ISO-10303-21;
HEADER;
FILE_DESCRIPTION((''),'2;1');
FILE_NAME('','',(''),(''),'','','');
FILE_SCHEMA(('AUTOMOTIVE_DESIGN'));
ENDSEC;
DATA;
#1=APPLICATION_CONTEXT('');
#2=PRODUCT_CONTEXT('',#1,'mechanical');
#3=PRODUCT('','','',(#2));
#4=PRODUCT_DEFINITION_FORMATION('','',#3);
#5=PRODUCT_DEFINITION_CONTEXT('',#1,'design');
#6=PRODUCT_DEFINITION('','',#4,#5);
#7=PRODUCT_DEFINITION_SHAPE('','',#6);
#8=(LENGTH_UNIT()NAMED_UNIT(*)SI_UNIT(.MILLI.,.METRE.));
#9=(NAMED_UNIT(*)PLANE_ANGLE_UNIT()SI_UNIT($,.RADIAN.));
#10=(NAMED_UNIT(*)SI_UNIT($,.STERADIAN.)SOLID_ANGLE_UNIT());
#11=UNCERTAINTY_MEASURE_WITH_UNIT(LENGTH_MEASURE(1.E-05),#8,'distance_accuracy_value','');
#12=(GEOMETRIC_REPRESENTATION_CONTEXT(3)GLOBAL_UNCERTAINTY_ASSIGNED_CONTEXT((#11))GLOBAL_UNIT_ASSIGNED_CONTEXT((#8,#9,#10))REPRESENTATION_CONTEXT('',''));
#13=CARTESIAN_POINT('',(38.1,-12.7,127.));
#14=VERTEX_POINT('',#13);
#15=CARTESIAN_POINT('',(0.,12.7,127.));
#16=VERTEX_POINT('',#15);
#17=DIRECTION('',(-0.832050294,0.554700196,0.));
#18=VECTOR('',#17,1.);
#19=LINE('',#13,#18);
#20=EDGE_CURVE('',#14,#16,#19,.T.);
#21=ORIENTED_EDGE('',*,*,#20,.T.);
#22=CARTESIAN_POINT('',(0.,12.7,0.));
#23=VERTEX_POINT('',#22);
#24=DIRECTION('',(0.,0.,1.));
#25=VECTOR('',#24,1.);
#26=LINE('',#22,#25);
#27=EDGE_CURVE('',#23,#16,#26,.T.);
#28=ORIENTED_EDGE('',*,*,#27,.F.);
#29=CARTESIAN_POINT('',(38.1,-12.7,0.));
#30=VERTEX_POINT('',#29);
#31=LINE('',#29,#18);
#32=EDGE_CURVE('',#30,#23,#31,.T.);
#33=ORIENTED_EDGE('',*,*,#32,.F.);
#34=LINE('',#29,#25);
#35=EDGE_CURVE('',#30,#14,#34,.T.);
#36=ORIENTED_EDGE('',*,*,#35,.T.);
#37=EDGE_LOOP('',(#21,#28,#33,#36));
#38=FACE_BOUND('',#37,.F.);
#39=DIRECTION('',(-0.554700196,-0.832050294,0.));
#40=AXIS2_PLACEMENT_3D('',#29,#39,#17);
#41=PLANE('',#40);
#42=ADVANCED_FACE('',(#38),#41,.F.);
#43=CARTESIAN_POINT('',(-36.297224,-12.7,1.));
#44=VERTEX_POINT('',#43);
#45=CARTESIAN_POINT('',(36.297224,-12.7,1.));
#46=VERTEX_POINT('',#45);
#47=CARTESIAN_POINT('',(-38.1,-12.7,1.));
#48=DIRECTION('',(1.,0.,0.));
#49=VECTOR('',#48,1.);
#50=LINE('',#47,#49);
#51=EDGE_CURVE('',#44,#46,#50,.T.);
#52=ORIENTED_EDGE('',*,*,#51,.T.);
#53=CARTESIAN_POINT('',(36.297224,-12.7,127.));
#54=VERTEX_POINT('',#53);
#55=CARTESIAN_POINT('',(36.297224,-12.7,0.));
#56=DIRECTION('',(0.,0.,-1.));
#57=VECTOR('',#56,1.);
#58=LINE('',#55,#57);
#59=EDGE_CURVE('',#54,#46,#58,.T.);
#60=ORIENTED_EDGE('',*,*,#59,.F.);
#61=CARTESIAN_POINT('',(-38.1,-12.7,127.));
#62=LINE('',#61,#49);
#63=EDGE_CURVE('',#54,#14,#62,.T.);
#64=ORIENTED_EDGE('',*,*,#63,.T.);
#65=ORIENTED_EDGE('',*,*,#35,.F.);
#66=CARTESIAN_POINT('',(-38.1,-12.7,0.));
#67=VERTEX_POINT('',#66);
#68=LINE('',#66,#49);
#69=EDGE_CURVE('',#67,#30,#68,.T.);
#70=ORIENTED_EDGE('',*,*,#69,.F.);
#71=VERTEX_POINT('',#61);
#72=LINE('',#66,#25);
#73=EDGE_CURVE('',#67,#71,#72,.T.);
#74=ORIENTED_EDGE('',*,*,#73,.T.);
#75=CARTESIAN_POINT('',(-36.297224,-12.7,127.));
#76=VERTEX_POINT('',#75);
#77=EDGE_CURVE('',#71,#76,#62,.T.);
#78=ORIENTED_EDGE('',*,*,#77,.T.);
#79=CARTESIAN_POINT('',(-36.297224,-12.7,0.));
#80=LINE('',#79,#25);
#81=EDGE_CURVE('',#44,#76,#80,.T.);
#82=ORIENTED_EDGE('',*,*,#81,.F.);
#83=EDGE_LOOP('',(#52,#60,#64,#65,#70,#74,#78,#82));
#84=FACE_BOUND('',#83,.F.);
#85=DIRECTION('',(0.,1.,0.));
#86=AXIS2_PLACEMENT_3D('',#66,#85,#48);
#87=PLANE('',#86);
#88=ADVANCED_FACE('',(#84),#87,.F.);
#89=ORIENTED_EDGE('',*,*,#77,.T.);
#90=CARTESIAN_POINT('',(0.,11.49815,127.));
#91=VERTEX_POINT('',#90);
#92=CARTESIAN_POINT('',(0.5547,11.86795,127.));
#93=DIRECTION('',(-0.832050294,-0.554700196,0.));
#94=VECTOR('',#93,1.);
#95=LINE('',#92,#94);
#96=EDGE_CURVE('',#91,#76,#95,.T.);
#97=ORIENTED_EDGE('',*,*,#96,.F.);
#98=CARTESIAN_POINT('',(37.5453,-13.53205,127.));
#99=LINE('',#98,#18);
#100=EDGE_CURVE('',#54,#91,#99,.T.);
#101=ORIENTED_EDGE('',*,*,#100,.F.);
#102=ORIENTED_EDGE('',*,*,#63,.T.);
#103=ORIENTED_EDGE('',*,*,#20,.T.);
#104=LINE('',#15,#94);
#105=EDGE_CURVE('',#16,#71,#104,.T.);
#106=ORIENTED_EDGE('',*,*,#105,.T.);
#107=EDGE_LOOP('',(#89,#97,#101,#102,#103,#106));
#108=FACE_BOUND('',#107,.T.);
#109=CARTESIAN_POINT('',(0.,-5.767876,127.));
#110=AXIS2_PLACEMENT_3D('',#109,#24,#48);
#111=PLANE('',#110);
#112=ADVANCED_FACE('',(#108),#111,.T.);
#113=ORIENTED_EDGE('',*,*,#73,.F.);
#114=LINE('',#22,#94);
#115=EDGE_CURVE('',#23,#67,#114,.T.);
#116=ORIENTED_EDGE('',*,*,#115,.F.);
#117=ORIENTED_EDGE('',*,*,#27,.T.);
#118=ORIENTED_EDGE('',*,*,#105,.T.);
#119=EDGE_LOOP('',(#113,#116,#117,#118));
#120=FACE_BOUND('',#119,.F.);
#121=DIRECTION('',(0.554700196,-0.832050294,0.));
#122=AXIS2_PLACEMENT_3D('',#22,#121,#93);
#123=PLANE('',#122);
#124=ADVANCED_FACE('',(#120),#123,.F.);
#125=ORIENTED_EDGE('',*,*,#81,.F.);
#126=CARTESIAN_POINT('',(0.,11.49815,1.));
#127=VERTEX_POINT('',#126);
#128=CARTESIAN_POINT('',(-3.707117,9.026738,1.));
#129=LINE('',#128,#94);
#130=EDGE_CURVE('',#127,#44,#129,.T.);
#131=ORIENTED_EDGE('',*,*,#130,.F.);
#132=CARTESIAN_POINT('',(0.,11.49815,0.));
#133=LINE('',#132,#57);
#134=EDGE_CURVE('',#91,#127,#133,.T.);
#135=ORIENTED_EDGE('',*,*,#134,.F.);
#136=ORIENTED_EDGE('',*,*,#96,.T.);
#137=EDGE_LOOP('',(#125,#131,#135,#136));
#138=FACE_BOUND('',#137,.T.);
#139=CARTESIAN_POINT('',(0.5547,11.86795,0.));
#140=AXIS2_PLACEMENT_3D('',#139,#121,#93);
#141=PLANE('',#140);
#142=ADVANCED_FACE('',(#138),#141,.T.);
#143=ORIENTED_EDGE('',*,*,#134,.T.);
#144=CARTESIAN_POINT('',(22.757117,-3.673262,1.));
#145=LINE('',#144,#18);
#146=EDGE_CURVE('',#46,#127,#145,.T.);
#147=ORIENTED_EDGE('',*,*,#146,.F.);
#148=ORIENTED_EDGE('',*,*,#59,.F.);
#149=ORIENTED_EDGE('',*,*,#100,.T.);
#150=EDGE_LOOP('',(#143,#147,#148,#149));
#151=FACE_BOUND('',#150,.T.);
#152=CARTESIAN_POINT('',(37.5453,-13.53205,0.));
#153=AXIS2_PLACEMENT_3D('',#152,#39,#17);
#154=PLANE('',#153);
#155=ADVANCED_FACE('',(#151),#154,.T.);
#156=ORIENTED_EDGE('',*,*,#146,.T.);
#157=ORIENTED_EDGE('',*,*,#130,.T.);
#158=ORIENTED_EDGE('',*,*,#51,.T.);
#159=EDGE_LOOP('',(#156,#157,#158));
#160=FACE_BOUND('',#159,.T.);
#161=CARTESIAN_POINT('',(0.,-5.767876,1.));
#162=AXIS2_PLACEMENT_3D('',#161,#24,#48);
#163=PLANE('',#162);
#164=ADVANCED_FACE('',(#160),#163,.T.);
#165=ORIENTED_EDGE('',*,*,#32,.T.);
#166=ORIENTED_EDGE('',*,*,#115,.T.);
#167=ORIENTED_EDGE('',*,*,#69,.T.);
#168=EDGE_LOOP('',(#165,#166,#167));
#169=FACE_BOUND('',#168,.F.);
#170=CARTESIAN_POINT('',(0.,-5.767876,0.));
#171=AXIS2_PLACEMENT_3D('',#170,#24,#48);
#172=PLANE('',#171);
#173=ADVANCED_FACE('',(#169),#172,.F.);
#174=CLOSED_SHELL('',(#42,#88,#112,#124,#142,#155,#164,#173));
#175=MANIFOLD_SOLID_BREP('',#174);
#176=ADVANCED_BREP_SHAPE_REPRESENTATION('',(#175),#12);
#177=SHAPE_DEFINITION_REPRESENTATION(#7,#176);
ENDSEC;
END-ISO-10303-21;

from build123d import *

# Parameters (mm, degrees)
F1_DEPTH = 127
F2_T     = -1


with BuildPart() as f1:
    # F0 (on Top) → F1 (new body)
    with BuildSketch(Plane.XY):
        Polygon((38.1, -12.7), (0, 12.7), (-38.1, -12.7), align=None)
    extrude(amount=F1_DEPTH)

    # F2
    f2_openings = [f1.faces().sort_by_distance(p)[0] for p in [
        (0, -4.233333, 127),
        (0, -12.7, 63.5),
    ]]
    offset(amount=F2_T, openings=f2_openings)


solid = f1.part
